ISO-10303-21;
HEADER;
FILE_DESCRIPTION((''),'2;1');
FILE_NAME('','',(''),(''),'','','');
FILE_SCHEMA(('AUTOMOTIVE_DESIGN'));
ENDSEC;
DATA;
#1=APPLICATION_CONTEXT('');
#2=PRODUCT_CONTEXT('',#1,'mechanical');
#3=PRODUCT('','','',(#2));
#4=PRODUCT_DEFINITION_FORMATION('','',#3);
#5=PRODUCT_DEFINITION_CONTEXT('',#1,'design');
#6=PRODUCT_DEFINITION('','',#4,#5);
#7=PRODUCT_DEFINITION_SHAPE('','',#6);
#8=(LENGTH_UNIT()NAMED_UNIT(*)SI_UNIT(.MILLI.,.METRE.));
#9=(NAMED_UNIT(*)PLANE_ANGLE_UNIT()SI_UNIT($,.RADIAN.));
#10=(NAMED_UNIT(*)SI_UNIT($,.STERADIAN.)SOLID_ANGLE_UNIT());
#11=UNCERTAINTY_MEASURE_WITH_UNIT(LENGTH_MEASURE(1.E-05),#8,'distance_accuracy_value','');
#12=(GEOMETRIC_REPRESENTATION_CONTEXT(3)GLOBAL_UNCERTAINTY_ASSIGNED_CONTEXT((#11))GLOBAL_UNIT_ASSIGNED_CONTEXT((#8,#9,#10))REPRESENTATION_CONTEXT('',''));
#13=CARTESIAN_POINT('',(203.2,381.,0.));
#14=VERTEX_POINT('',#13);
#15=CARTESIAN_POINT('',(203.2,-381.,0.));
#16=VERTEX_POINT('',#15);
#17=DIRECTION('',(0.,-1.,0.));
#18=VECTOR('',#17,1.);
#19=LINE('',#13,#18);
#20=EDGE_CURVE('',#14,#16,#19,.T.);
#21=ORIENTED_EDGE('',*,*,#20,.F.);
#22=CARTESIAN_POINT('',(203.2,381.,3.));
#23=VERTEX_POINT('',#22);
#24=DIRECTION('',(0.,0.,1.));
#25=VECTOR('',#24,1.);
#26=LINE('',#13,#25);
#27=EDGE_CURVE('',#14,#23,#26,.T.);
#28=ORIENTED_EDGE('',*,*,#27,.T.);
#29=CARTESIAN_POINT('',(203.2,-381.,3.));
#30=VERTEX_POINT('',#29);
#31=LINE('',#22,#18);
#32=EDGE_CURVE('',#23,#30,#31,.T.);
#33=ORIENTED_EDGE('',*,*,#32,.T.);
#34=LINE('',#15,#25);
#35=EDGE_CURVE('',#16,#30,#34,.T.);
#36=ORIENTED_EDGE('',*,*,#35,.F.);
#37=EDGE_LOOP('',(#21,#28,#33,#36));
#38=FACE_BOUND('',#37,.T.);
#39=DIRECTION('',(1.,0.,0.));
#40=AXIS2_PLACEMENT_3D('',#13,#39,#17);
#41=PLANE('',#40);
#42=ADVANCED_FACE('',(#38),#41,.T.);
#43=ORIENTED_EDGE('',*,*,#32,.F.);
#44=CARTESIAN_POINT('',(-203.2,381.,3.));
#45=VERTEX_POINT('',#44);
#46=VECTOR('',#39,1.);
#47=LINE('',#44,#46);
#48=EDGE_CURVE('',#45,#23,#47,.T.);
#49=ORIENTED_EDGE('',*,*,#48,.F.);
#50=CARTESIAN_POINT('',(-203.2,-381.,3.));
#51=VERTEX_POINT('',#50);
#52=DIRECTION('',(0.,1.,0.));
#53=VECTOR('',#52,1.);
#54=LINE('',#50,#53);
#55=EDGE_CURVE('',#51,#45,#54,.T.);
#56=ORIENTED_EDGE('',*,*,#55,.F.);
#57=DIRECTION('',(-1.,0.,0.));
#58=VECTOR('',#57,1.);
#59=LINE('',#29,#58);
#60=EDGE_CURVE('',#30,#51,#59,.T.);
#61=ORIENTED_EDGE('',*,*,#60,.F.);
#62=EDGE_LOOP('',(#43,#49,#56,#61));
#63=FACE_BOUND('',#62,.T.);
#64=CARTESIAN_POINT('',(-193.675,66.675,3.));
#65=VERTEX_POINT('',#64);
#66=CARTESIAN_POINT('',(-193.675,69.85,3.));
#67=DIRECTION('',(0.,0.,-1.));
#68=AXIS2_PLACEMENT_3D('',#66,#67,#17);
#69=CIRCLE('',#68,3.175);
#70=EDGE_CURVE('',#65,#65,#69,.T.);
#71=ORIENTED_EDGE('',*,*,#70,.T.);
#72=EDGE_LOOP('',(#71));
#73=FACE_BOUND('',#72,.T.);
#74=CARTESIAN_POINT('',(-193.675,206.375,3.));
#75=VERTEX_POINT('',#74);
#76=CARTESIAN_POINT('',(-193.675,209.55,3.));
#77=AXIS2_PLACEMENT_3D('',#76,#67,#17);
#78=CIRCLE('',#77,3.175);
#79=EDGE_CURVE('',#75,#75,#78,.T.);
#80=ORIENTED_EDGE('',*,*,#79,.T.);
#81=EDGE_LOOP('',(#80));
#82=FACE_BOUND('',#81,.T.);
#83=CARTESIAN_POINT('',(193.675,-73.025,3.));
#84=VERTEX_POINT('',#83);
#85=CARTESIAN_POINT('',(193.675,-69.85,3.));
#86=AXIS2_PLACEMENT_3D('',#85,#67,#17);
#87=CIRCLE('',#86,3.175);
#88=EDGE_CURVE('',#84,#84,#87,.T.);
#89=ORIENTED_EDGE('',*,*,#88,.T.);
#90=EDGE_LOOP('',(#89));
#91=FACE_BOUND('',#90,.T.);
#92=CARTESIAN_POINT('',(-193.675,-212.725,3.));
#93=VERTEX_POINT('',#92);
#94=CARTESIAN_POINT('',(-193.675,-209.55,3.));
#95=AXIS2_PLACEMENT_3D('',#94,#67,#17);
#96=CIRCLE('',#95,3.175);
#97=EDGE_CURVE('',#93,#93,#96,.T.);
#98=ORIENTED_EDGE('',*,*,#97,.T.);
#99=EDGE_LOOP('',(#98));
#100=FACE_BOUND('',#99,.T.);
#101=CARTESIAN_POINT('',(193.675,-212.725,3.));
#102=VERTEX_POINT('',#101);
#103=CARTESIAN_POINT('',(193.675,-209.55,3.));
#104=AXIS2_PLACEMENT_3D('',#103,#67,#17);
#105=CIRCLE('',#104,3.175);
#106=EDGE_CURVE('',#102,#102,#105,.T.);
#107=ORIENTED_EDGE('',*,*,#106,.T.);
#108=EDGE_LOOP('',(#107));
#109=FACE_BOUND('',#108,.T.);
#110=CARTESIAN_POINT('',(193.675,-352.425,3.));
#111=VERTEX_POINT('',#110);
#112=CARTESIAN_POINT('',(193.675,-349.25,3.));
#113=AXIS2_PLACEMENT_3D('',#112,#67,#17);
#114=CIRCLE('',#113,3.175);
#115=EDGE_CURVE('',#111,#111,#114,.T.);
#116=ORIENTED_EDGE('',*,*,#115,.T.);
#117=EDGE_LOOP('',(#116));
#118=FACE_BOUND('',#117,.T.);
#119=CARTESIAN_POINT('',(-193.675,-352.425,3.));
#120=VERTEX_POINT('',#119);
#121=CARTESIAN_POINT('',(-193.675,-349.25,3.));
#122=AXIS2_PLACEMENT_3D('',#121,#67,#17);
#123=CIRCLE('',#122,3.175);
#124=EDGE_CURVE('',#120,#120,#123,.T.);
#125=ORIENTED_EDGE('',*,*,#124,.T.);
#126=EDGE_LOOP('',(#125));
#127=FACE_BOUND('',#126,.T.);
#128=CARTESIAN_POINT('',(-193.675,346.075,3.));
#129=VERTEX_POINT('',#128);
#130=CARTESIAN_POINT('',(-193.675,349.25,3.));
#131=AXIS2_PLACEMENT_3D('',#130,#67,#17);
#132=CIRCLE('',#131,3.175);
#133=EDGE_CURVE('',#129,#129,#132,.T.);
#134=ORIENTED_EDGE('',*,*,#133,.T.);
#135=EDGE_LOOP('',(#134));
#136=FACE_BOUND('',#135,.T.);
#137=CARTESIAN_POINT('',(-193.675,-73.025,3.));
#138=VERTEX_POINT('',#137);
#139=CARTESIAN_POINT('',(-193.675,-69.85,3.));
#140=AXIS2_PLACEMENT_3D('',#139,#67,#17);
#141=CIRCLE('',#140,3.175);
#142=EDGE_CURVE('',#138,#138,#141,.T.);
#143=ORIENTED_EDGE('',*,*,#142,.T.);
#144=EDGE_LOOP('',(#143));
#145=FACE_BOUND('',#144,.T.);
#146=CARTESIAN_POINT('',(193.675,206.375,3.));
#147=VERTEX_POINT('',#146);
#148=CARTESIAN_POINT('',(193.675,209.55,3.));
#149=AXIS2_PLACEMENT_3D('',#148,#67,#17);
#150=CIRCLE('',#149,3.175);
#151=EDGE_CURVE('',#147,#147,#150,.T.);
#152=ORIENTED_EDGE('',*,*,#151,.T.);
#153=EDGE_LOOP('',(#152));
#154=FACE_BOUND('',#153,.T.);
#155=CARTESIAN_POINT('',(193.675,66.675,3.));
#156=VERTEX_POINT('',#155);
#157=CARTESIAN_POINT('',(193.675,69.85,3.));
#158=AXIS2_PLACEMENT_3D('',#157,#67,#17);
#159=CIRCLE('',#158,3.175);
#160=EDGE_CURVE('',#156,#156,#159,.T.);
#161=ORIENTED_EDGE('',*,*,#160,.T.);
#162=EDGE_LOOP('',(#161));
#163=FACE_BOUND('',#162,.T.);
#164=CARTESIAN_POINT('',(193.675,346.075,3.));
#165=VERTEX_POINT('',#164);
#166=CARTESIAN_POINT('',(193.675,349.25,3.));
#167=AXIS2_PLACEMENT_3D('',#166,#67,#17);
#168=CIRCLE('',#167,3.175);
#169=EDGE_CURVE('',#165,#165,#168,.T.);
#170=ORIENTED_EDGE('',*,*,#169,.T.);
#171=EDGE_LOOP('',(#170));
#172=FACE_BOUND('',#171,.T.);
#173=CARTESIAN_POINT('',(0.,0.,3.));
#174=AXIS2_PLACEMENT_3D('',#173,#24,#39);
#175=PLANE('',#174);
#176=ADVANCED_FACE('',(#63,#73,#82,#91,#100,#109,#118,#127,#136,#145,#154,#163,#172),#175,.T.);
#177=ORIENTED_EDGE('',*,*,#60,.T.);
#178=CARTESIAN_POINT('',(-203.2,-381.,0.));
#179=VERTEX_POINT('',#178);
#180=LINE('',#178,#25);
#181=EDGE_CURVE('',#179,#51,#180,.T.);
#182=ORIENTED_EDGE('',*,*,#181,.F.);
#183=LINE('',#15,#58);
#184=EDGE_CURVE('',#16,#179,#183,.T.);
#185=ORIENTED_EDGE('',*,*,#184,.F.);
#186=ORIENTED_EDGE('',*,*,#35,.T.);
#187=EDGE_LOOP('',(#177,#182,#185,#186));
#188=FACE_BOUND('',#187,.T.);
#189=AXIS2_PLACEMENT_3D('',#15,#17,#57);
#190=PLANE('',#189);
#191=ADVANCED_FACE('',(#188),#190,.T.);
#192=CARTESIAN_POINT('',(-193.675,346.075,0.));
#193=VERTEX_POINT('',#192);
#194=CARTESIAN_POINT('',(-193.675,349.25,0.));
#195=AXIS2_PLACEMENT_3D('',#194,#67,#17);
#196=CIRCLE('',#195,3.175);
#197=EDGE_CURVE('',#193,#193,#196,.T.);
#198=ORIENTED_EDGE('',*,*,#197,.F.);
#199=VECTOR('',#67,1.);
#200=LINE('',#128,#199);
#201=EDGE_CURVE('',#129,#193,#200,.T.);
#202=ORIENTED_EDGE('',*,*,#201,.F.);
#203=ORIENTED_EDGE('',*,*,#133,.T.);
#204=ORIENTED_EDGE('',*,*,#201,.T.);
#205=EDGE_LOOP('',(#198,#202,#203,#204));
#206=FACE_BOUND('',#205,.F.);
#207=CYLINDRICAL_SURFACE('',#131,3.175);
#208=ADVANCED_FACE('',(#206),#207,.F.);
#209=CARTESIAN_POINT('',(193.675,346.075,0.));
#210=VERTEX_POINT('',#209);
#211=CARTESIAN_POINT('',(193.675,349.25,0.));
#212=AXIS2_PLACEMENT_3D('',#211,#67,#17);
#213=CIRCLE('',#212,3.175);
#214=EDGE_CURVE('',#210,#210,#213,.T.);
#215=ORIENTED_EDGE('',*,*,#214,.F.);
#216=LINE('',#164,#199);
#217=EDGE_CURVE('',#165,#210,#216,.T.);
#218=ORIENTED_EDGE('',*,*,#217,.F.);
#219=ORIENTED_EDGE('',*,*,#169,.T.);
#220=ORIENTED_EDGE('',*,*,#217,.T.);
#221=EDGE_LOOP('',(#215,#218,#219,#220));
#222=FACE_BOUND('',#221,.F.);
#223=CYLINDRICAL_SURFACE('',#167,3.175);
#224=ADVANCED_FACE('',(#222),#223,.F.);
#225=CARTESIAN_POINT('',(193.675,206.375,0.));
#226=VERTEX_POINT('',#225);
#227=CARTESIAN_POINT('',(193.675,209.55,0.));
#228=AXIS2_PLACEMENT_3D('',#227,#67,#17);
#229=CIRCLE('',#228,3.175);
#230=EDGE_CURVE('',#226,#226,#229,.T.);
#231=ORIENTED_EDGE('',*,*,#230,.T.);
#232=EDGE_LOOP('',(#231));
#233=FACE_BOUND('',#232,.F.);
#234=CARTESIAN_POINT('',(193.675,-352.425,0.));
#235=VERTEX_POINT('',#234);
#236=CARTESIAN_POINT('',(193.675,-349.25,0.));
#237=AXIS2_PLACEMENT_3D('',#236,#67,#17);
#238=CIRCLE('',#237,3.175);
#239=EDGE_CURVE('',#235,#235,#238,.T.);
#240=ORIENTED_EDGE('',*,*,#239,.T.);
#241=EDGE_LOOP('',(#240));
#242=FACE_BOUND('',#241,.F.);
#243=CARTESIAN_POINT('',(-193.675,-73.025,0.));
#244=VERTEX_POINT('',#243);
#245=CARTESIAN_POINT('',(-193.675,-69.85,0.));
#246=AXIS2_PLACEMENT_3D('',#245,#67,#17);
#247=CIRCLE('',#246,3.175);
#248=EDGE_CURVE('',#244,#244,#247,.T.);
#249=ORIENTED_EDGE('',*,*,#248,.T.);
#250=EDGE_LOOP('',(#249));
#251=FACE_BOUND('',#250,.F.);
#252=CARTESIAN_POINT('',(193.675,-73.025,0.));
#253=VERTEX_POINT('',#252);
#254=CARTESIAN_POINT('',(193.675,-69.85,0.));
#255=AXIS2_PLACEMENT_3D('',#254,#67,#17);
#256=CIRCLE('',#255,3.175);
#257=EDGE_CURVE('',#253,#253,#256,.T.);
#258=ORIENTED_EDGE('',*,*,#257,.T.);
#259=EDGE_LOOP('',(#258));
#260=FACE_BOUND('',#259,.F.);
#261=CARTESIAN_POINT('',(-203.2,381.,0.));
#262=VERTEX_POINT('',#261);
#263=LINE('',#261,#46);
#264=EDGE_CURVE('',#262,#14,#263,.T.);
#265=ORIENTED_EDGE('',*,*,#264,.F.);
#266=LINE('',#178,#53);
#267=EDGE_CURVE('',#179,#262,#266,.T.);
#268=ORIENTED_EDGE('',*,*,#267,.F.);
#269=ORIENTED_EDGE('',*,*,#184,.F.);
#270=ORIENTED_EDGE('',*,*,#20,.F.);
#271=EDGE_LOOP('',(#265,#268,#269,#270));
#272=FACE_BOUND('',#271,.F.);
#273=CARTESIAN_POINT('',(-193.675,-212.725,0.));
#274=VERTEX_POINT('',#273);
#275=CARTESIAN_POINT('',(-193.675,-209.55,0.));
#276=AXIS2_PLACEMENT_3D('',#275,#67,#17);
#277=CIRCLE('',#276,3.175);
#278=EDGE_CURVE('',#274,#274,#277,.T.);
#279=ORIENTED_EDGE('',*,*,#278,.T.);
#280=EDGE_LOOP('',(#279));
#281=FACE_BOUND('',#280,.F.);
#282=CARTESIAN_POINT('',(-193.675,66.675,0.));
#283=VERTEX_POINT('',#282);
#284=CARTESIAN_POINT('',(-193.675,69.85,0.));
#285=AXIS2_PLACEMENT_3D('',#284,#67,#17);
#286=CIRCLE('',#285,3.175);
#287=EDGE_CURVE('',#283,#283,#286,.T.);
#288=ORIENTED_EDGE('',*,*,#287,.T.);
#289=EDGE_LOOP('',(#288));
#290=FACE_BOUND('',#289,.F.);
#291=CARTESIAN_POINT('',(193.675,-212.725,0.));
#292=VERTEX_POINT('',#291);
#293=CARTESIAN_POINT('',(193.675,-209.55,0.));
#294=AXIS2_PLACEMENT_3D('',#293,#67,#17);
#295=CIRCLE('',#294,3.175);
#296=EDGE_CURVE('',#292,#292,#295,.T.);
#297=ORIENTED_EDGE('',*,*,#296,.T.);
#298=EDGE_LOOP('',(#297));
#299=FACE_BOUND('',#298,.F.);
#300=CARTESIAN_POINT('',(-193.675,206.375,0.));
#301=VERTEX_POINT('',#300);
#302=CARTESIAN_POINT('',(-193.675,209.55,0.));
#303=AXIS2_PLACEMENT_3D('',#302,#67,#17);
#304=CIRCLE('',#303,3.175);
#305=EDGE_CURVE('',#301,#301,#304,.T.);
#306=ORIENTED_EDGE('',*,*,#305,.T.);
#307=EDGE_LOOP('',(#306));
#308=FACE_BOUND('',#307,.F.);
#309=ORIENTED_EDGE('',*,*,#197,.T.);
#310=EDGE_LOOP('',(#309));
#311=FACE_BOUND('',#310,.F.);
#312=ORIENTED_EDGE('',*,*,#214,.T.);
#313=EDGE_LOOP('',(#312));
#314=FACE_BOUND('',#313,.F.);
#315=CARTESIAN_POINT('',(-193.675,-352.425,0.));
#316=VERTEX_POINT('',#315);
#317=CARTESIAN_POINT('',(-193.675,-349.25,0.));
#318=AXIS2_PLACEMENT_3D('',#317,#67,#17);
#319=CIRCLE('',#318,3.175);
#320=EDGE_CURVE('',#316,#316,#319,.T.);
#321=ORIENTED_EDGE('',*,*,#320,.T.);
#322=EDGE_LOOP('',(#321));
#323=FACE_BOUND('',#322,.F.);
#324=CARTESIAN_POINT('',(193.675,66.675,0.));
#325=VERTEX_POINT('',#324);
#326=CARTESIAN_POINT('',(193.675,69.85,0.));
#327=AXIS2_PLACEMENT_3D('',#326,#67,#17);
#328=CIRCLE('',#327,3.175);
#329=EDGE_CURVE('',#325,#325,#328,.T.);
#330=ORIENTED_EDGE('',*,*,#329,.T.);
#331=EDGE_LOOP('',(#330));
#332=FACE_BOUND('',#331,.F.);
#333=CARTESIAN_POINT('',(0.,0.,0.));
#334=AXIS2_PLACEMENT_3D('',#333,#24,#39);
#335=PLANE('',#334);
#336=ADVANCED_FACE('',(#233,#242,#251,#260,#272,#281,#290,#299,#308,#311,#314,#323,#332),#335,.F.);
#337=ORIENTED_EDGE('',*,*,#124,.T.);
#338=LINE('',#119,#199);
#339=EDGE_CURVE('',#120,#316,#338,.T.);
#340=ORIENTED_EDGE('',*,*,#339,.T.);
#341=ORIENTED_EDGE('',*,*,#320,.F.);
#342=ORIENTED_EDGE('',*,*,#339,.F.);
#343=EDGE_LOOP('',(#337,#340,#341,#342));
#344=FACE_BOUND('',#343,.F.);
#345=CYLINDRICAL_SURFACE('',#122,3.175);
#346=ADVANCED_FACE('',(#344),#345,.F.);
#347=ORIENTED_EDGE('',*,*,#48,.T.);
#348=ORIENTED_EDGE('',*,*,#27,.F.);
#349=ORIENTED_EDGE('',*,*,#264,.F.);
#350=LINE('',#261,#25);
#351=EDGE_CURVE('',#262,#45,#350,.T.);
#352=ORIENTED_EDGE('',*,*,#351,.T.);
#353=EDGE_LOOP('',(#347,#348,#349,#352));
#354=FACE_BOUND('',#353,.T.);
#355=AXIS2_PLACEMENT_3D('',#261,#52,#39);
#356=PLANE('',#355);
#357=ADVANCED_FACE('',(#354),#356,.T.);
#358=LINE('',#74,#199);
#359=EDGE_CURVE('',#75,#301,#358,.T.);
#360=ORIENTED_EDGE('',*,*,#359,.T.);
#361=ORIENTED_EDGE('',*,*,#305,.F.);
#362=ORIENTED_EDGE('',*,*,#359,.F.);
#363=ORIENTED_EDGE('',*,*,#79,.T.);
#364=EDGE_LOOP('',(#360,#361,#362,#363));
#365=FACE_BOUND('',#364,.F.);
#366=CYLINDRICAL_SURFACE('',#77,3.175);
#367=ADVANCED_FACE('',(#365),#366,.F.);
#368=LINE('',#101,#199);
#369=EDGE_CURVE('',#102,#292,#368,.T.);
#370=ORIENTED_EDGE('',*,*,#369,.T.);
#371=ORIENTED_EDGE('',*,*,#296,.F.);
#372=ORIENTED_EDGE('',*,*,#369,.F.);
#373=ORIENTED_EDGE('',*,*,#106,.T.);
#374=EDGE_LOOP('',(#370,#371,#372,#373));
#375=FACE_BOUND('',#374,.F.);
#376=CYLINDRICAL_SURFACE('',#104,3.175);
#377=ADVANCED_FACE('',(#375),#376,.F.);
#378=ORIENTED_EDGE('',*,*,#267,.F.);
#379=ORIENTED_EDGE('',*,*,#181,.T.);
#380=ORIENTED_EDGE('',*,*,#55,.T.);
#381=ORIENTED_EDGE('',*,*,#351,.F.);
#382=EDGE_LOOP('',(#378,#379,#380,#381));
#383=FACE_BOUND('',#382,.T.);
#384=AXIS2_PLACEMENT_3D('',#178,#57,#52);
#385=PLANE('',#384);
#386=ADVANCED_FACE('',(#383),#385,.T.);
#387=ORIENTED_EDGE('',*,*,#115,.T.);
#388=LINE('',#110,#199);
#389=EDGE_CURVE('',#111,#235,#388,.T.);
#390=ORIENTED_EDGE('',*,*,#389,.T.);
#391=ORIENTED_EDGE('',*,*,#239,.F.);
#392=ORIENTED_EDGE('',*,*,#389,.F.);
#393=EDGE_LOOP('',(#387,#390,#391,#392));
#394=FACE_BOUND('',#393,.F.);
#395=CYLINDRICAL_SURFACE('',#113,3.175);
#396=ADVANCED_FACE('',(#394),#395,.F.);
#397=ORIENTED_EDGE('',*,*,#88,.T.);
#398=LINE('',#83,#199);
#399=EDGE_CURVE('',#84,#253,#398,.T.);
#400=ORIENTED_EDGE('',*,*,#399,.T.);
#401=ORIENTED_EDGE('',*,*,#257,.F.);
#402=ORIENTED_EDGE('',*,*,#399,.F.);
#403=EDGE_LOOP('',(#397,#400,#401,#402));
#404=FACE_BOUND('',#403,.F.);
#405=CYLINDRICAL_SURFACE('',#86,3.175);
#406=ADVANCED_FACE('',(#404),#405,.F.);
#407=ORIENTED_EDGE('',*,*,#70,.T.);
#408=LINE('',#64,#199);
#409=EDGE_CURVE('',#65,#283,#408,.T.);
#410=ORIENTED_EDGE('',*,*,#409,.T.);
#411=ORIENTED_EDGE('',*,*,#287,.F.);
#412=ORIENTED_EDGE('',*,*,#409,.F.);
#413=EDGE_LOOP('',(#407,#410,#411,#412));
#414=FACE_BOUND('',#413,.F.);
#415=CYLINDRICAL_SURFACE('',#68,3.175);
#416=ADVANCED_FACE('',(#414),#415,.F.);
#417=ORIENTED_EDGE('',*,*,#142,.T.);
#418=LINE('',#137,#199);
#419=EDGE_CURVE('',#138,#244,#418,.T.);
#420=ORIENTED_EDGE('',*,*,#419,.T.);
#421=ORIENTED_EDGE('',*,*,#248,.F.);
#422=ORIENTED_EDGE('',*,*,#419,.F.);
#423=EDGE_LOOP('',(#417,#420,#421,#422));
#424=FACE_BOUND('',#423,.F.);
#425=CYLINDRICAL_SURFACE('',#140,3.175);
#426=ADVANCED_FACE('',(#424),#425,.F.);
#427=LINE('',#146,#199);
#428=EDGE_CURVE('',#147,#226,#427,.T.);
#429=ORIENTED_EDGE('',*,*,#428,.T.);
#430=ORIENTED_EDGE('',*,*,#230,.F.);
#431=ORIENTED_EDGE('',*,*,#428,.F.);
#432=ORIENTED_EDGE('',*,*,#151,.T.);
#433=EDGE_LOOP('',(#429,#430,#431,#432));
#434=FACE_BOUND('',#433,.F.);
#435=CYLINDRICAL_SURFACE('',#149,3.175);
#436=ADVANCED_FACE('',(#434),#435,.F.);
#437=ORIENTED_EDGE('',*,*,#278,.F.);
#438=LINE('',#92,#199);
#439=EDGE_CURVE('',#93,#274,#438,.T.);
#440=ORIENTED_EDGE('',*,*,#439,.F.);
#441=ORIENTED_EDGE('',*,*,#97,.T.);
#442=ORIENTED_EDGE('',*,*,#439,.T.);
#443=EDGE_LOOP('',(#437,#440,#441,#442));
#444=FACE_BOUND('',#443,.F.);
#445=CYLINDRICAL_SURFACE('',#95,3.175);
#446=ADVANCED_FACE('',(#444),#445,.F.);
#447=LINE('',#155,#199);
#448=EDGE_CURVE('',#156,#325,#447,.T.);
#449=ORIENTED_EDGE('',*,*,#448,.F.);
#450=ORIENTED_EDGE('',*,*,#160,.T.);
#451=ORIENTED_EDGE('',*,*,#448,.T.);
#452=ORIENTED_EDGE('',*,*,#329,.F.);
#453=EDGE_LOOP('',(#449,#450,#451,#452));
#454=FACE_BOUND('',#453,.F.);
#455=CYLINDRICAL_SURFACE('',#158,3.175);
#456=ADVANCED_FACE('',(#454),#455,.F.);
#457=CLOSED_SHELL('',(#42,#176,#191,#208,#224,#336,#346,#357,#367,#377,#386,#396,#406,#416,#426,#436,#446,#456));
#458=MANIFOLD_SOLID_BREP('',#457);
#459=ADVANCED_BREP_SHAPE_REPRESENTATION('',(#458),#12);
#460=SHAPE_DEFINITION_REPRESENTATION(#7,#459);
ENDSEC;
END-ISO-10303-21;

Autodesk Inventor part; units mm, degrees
ref_plane "YZ Plane" through (0, 0, 0) normal (1, 0, 0) x (0, 1, 0)
ref_plane "XZ Plane" through (0, 0, 0) normal (0, 1, 0) x (-1, 0, 0)
ref_plane "XY Plane" through (0, 0, 0) normal (0, 0, 1) x (1, 0, 0)
sketch "Sketch1" plane through (0, 0, 0) normal (0, 0, 1) x (1, 0, 0)
  line L0 (203.2, -381) -> (-203.2, -381)
  line L1 (-203.2, -381) -> (-203.2, 381)
  line L2 (-203.2, 381) -> (203.2, 381)
  line L3 (203.2, 381) -> (203.2, -381)
  point P0 (0, 0)
  point P1 (0, 381)
  point P2 (203.2, 0)
  dimension "d0" = 406.4
  dimension "d1" = 762
extrude "Extrusion1" add sketch "Sketch1" along normal blind 3
sketch "Sketch2" plane through (0, 0, 3) normal (0, 0, 1) x (1, 0, 0)
  line L0 (-203.2, -381) -> (-203.2, 381) projected
  line L1 (203.2, -381) -> (-203.2, -381) projected
  line L2 (-203.2, 381) -> (203.2, 381) projected
  line L3 (0, 381) -> (0, -381)
  point P0 (0, 0)
  point P1 (-193.675, 349.25)
  point P2 (-193.675, 209.55)
  point P3 (-193.675, 69.85)
  point P4 (-193.675, -69.85)
  point P5 (-193.675, -209.55)
  point P6 (-193.675, -349.25)
  point P7 (193.675, 349.25)
  point P8 (193.675, 209.55)
  point P9 (193.675, 69.85)
  point P10 (193.675, -69.85)
  point P11 (193.675, -209.55)
  point P12 (193.675, -349.25)
  dimension "d4" = 31.75
  dimension "d5" = 9.525
  dimension "d6" = 139.7
  dimension "d7" = 139.7
  dimension "d8" = 139.7
  dimension "d9" = 139.7
  dimension "d10" = 139.7
hole "Hole1" at (-193.675, 349.25, 3) at (-193.675, 209.55, 3) at (-193.675, 69.85, 3) at (-193.675, -69.85, 3) at (-193.675, -209.55, 3) at (-193.675, -349.25, 3) at (193.675, 349.25, 3) at (193.675, 209.55, 3) at (193.675, 69.85, 3) at (193.675, -69.85, 3) at (193.675, -209.55, 3) at (193.675, -349.25, 3) direction (0, 0, -1) diameter 6.35 end through all
properties part number "back"
